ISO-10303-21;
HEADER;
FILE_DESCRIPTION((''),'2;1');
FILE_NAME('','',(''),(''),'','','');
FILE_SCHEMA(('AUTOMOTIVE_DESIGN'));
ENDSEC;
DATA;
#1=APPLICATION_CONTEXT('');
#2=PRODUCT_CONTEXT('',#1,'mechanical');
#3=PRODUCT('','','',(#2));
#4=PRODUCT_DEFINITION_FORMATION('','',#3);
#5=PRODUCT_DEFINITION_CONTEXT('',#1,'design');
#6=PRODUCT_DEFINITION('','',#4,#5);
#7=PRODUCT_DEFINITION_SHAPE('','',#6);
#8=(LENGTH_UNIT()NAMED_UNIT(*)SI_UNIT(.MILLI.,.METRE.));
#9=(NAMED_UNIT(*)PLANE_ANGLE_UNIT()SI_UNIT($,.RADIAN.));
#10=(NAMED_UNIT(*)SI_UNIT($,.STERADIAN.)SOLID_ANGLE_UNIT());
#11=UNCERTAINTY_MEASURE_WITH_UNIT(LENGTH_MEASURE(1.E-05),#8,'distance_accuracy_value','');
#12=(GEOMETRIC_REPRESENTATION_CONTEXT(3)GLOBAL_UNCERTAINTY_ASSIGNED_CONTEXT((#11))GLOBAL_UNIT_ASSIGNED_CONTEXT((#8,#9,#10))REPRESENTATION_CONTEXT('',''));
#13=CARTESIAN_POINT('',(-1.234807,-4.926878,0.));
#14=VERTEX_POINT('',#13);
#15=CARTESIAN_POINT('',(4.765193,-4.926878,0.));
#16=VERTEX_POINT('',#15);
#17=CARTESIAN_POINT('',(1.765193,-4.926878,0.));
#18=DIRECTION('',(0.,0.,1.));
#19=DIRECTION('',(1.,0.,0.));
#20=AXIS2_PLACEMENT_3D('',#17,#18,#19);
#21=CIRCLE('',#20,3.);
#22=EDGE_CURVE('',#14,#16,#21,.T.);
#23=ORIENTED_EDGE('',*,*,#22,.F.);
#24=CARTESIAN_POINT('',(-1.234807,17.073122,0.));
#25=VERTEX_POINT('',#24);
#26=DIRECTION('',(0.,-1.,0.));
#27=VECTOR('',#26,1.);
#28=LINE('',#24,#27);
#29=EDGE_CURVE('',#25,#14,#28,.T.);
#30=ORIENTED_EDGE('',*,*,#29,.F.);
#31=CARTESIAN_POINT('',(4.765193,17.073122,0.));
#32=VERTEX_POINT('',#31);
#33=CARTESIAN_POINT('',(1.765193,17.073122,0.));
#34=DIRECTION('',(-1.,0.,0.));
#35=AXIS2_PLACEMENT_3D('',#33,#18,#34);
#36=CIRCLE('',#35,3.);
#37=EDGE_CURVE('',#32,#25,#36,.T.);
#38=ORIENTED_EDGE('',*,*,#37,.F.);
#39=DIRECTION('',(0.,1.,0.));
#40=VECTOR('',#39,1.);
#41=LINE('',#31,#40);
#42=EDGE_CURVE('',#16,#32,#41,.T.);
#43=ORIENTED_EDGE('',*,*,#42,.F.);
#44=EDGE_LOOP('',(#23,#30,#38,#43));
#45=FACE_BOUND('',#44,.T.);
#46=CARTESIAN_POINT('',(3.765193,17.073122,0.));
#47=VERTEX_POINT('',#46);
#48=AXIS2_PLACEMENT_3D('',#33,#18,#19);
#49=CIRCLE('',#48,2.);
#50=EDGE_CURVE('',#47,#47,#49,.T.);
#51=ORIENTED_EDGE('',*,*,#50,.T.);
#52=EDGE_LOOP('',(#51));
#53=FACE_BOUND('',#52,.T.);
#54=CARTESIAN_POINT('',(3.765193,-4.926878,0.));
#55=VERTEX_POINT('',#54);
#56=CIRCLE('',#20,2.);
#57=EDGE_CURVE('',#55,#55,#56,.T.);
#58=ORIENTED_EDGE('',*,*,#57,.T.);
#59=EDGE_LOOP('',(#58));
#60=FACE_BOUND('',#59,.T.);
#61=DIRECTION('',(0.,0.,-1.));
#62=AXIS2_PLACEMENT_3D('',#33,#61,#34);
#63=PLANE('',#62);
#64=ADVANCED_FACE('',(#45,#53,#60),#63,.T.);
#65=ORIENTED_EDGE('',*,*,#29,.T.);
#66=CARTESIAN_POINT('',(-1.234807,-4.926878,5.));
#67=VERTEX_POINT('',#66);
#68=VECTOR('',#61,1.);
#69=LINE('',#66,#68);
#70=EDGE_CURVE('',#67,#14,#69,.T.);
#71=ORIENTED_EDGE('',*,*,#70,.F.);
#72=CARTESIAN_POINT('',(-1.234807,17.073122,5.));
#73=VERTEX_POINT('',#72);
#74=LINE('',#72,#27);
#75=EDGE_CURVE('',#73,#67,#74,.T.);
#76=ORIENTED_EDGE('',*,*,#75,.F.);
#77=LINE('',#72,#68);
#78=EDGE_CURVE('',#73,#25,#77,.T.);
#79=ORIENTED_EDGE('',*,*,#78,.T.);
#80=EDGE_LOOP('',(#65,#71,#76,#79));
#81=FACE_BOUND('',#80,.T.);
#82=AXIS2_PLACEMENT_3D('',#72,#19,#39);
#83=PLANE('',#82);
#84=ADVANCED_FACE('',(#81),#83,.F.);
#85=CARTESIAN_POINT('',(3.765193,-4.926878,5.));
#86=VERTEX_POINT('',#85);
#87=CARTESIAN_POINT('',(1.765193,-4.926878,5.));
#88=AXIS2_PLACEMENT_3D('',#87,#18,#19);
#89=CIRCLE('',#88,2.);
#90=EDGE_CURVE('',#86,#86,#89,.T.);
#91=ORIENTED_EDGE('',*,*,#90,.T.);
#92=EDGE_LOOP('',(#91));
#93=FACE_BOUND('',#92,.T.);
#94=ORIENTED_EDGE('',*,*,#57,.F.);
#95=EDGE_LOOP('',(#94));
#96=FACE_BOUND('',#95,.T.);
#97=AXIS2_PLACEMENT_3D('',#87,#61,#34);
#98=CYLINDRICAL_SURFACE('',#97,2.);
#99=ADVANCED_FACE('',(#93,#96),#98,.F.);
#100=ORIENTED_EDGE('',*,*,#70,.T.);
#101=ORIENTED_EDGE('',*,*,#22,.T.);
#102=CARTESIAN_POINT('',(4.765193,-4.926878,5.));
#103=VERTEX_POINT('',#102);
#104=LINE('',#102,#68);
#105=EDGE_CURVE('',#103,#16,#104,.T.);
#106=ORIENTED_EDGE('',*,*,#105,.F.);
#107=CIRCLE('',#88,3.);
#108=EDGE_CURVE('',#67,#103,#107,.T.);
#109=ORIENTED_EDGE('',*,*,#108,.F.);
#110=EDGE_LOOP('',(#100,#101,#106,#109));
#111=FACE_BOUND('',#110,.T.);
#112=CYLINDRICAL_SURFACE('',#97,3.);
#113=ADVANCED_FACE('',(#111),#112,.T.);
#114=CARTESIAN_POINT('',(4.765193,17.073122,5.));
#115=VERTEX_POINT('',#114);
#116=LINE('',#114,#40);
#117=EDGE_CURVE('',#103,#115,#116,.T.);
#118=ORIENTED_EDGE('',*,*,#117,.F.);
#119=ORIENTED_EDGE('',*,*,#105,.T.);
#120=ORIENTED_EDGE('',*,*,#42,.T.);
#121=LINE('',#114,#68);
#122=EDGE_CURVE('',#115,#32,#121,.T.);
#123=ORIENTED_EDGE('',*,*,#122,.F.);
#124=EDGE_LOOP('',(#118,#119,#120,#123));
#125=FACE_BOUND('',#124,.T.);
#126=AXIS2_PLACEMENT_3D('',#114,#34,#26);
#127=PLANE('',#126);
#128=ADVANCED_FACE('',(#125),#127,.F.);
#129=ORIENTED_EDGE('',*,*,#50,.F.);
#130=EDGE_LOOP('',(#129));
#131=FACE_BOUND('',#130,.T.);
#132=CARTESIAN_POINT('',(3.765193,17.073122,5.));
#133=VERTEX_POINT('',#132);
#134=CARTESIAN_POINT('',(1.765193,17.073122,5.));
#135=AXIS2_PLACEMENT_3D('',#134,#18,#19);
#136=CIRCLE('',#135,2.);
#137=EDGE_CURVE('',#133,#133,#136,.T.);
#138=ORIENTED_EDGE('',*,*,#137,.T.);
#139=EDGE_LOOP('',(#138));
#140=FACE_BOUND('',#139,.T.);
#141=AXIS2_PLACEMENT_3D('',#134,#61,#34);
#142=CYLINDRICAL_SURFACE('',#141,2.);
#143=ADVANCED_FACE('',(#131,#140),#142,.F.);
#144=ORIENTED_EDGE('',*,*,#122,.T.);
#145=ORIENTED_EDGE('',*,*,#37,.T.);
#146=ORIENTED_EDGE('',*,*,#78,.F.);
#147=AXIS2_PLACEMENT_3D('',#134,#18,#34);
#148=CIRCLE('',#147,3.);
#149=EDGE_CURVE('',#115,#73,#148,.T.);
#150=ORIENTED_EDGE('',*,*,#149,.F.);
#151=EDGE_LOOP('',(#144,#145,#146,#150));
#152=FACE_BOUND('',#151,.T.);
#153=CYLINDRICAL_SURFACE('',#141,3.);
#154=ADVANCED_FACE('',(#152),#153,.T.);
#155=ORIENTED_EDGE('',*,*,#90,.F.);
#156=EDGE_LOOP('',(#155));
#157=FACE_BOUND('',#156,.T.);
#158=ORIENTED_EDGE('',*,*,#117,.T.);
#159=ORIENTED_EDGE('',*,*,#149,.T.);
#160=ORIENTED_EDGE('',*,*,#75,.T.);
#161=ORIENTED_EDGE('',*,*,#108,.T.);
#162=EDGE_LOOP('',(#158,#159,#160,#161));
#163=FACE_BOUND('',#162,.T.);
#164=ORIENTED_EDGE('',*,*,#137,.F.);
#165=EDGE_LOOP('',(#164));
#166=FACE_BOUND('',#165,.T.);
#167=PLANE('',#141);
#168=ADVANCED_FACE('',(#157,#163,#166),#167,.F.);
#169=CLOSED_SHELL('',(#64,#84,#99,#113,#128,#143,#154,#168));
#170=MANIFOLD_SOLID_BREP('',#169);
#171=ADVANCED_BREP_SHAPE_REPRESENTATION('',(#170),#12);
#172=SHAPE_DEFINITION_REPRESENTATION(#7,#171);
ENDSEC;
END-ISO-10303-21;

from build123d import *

# Parameters (mm, degrees)
SKETCH1_R           = 2
BOSS_EXTRUDE1_DEPTH = 5


with BuildPart() as part:
    # Sketch1 → Boss-Extrude1 (new body)
    with BuildSketch(Plane.XY):
        with BuildLine():
            Line((-1.23480663, 17.073121547), (-1.23480663, -4.926878453))
            ThreePointArc((-1.23480663, -4.926878453), (1.76519337, -7.926878453), (4.76519337, -4.926878453))
            Line((4.76519337, -4.926878453), (4.76519337, 17.073121547))
            ThreePointArc((4.76519337, 17.073121547), (1.76519337, 20.073121547), (-1.23480663, 17.073121547))
        make_face()
        with Locations((1.76519337, 17.073121547)):
            Circle(SKETCH1_R, mode=Mode.SUBTRACT)
        with Locations((1.76519337, -4.926878453)):
            Circle(SKETCH1_R, mode=Mode.SUBTRACT)
    extrude(amount=BOSS_EXTRUDE1_DEPTH)


solid = part.part
